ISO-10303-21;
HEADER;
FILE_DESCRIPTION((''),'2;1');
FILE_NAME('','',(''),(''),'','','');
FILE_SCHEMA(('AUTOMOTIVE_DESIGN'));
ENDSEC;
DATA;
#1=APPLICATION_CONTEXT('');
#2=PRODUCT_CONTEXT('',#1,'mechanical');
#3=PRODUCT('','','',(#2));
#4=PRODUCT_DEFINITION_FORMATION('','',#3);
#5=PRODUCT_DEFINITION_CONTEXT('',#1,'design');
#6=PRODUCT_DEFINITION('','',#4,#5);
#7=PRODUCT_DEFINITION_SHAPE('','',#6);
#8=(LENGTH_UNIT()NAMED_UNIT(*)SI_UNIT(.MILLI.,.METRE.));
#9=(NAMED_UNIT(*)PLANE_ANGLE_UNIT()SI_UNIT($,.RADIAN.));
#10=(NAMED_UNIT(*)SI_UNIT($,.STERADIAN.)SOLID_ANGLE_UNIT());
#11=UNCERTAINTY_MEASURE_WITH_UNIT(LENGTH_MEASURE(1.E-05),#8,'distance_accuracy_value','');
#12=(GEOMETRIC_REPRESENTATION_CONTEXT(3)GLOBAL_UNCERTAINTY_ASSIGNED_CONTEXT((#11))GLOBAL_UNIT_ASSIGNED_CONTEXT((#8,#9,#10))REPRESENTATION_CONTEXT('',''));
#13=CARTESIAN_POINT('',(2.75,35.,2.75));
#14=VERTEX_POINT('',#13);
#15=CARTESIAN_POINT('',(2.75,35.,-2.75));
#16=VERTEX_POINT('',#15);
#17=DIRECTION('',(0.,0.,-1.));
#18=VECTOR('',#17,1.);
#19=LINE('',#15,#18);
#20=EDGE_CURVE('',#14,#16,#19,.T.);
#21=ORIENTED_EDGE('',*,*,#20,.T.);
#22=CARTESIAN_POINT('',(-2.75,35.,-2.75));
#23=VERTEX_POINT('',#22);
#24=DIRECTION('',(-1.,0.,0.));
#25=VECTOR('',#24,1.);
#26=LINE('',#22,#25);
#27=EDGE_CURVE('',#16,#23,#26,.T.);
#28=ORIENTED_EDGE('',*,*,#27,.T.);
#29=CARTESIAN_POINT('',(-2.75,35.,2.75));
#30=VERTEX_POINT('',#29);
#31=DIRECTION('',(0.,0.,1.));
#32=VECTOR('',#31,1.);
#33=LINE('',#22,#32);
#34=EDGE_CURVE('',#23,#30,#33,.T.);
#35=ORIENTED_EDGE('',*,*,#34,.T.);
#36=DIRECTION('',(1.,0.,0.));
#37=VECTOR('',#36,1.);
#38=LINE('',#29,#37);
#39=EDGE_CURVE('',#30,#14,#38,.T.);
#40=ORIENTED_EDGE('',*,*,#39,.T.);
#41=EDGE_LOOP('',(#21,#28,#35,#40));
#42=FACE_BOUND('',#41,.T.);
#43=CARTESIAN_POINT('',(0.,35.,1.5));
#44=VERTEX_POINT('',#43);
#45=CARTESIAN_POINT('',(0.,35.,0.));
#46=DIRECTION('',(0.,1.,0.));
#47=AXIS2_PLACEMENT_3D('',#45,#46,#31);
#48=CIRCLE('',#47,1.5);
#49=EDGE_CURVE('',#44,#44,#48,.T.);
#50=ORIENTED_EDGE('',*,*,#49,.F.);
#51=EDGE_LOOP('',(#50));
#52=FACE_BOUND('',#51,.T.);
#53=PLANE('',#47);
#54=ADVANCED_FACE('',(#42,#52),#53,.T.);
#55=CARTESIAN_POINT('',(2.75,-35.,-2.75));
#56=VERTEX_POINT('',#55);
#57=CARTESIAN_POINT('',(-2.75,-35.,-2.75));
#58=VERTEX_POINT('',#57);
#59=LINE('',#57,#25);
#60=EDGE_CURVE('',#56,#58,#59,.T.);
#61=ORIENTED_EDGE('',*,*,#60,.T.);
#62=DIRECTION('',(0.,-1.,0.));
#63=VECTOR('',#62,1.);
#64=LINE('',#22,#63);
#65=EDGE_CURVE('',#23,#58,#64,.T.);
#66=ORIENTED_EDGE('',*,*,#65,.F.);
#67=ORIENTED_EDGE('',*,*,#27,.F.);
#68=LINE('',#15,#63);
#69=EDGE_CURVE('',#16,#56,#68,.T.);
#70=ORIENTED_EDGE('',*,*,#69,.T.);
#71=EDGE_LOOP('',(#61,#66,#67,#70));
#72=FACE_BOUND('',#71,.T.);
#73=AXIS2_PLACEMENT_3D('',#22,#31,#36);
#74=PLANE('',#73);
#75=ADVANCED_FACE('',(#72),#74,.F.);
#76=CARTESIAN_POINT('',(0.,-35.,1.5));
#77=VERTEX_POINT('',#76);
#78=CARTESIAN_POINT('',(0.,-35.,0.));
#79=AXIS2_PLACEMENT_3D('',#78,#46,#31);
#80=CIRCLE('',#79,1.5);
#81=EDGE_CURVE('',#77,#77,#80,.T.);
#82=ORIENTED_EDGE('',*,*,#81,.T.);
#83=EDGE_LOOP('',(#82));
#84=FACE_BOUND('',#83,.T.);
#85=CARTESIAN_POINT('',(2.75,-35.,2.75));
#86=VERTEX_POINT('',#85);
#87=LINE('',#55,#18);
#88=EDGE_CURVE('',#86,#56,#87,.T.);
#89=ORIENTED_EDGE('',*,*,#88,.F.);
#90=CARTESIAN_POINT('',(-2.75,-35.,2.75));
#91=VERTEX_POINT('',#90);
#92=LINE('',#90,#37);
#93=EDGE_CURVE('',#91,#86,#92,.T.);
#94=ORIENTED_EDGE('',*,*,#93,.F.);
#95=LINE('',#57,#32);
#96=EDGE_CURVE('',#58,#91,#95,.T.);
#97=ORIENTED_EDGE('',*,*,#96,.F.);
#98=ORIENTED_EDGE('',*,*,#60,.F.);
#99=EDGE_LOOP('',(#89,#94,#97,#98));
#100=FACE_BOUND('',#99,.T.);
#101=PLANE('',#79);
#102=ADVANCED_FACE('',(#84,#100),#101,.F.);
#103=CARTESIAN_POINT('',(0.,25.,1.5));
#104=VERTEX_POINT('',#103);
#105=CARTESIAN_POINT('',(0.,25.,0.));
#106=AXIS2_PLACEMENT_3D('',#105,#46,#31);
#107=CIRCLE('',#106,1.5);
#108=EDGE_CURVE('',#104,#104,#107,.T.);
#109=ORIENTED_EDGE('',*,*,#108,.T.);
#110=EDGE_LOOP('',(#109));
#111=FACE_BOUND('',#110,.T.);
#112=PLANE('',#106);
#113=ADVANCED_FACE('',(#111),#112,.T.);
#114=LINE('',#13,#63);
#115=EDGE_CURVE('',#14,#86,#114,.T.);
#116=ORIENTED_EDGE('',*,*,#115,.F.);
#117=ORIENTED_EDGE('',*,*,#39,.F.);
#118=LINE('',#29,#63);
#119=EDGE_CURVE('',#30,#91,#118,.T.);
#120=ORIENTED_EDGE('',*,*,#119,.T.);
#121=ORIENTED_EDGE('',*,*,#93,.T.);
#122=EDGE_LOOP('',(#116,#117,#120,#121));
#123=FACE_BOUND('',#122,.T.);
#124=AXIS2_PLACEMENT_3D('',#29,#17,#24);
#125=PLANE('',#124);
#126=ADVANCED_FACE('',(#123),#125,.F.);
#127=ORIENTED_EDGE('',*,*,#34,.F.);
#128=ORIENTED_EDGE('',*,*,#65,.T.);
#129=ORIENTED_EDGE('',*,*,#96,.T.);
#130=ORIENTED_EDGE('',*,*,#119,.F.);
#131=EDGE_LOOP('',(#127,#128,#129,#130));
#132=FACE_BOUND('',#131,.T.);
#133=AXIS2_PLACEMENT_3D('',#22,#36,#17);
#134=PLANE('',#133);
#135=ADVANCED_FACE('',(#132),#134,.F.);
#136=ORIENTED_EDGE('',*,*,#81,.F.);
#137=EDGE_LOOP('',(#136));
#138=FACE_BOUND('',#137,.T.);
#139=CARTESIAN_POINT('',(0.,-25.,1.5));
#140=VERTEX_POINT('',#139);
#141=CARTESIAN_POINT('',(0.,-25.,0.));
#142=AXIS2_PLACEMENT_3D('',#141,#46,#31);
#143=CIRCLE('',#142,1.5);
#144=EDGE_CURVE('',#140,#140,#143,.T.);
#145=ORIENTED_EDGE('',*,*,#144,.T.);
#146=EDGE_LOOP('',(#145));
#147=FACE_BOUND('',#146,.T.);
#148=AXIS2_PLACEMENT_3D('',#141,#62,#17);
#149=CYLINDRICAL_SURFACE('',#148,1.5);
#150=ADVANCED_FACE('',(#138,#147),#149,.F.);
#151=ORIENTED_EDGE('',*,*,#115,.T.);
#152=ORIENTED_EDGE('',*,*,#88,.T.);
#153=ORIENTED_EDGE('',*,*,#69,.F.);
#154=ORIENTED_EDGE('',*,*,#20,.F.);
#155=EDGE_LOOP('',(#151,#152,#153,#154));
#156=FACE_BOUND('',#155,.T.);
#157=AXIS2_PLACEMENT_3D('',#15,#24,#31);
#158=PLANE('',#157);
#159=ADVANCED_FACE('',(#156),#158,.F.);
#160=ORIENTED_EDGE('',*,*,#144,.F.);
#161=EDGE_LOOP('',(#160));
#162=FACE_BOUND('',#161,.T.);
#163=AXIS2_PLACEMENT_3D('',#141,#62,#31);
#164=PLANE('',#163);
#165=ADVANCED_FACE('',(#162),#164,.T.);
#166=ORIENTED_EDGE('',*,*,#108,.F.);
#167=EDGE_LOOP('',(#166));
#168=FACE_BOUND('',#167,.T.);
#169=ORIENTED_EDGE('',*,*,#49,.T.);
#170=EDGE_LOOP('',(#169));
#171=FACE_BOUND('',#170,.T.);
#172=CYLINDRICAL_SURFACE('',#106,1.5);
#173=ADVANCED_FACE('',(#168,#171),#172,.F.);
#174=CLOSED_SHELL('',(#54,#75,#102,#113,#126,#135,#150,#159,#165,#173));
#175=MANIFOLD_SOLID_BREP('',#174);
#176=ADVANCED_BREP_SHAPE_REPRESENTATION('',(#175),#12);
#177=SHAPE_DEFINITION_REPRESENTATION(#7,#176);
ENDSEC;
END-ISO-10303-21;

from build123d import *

# Parameters (mm, degrees)
SKETCH1_W           = 5.5
SKETCH1_H           = 5.5
BOSS_EXTRUDE1_DEPTH = 35
SKETCH3_R           = 1.5
CUT_EXTRUDE1_DEPTH  = 10


with BuildPart() as part:
    # Sketch1 → Boss-Extrude1 (new, symmetric)
    with BuildSketch(Plane(origin=(0, 0, 0), x_dir=(1, 0, 0), z_dir=(0, 1, 0))):
        Rectangle(SKETCH1_W, SKETCH1_H)
    extrude(amount=BOSS_EXTRUDE1_DEPTH, both=True)

    # Sketch3 → Cut-Extrude1 (cut)
    with BuildSketch(Plane(origin=(0, 35, 0), x_dir=(1, 0, 0), z_dir=(0, 1, 0))):
        with Locations(Location((0, 0, 0), (0, 0, 270))):
            Circle(SKETCH3_R)
    cut_extrude1 = extrude(amount=-CUT_EXTRUDE1_DEPTH, mode=Mode.SUBTRACT)

    # Mirror1: Cut-Extrude1 across plane
    add(cut_extrude1.mirror(Plane.ZX), mode=Mode.SUBTRACT)


solid = part.part
